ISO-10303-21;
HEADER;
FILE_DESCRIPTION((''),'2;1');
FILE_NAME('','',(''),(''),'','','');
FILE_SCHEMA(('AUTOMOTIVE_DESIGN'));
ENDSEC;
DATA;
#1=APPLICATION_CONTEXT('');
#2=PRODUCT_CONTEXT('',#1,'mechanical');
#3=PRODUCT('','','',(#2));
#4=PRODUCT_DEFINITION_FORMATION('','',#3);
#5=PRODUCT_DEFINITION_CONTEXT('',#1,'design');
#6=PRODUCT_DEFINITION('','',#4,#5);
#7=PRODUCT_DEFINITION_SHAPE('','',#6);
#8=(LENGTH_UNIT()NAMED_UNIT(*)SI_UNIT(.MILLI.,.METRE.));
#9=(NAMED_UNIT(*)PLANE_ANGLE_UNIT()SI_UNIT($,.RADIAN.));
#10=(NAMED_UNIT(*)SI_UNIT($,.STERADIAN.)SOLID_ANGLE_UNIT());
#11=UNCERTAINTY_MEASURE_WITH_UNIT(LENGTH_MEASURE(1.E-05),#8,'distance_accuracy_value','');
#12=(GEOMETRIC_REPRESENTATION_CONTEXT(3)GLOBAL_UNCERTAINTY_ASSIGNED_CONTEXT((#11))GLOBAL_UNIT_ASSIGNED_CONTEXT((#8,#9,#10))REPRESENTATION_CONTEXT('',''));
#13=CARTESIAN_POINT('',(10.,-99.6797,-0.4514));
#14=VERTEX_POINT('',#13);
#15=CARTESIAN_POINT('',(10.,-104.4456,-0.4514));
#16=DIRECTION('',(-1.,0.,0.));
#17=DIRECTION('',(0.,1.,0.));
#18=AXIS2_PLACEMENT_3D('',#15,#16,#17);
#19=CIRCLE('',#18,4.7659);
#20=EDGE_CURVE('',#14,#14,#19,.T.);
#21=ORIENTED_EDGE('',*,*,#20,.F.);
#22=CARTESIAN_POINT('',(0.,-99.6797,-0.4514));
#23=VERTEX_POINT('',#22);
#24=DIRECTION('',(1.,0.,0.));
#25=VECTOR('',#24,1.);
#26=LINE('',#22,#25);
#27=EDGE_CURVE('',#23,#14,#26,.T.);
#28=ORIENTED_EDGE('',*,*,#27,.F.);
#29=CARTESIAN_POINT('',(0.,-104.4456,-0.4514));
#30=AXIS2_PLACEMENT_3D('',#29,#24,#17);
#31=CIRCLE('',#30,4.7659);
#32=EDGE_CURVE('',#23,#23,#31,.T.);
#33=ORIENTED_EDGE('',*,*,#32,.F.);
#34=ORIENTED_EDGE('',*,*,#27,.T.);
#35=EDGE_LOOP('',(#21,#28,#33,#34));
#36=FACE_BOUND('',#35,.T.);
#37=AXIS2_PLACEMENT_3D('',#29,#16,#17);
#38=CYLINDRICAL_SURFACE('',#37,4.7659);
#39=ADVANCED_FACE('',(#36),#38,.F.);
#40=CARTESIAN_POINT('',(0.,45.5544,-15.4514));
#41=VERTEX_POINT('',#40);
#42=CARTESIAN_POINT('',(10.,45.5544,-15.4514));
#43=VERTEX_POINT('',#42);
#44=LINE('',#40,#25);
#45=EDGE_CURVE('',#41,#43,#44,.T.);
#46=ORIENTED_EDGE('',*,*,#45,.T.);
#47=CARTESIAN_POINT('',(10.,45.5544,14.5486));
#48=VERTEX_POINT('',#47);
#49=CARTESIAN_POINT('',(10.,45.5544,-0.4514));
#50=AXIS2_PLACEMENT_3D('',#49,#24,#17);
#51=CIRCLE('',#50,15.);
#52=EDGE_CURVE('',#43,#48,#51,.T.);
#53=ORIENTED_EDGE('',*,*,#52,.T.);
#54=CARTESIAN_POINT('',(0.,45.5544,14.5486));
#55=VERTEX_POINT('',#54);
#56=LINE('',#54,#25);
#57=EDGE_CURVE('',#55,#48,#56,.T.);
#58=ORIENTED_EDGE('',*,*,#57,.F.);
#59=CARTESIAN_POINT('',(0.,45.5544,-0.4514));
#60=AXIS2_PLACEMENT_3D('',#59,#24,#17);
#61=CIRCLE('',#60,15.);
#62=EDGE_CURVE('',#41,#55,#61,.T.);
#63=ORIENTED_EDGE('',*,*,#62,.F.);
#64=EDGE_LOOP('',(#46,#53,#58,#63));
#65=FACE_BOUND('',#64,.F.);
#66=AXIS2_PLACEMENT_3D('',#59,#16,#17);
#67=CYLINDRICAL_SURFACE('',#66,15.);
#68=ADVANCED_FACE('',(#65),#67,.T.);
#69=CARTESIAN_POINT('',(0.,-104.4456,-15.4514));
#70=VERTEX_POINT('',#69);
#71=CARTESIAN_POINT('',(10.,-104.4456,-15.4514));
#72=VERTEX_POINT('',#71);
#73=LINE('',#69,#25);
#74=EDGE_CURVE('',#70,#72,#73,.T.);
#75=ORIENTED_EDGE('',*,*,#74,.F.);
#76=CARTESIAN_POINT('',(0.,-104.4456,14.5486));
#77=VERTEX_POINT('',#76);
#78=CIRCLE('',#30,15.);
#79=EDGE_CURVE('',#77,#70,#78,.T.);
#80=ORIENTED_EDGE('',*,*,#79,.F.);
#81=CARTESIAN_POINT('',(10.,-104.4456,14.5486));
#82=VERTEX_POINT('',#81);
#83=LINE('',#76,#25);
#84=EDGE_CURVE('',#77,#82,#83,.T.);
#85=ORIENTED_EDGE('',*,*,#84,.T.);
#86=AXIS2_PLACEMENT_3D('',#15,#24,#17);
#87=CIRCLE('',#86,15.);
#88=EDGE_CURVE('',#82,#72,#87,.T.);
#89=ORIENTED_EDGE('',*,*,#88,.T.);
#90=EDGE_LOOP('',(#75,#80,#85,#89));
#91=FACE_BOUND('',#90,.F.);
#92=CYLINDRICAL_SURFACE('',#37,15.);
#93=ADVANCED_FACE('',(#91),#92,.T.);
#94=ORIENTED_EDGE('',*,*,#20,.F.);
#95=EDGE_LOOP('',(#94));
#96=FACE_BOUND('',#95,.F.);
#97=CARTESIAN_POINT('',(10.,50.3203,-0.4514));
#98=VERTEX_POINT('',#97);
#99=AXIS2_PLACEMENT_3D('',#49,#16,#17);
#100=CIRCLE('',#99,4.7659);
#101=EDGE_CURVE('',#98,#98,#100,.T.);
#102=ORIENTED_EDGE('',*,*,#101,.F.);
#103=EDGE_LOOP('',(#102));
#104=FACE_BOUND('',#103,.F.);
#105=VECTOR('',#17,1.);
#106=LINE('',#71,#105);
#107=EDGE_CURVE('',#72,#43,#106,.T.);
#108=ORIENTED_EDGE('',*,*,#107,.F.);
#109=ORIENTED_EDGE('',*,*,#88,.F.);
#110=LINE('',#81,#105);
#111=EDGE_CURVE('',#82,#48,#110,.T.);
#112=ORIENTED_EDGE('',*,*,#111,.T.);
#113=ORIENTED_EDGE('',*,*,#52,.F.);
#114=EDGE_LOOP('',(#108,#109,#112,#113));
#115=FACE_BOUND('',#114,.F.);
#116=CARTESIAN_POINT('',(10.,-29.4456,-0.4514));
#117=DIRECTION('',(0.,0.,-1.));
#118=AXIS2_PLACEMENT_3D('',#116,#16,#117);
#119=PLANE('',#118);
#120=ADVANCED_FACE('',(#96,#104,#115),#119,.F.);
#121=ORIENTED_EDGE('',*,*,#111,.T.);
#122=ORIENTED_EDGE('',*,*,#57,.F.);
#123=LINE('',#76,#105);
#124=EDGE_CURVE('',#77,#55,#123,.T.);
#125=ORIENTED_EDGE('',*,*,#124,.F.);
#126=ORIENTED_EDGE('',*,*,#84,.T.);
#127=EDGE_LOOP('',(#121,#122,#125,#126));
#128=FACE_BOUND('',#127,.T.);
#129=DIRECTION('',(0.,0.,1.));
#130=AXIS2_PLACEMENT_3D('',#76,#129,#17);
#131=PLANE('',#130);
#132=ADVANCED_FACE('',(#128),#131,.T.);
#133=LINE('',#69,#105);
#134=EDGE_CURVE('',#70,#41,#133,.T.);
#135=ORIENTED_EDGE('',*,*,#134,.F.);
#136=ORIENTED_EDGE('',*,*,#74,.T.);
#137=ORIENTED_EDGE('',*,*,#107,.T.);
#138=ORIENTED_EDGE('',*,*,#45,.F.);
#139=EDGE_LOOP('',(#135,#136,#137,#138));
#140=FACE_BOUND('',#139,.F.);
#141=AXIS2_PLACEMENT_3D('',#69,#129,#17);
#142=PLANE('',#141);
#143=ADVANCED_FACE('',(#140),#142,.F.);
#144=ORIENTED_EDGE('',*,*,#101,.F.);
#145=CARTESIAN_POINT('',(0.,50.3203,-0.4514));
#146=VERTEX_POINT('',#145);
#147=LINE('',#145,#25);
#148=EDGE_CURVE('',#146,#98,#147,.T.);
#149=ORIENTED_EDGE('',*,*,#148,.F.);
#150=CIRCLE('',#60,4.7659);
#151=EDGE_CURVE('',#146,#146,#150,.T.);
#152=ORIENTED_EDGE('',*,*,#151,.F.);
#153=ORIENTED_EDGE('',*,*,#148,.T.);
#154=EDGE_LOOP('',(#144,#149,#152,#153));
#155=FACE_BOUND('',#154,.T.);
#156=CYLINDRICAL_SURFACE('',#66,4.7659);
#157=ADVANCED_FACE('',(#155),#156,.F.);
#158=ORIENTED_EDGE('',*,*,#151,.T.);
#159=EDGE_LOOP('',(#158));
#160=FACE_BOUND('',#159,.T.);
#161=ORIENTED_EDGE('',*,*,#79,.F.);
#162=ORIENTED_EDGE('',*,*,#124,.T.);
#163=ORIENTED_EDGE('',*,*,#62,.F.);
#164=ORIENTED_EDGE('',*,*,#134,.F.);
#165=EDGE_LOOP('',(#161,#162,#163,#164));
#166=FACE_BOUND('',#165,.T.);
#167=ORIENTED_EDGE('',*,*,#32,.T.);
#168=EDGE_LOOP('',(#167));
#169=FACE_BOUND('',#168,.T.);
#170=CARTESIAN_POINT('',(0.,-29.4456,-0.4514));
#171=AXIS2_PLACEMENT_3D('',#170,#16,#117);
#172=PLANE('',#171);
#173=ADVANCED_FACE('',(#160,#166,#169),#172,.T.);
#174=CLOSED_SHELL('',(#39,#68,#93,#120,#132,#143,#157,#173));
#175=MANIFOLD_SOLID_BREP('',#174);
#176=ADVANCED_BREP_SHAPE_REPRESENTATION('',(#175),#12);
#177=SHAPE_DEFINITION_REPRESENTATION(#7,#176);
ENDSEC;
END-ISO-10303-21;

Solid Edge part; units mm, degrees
sketch "Sketch1" plane through (0, 0, 0) normal (1, 0, 0) x (0, 1, 0)
  line L0 (-104.4456, 14.5486) -> (45.5544, 14.5486)
  arc A0 (45.5544, -15.4514) -> (45.5544, 14.5486) centre (45.5544, -0.4514) ccw
  line L1 (-104.4456, -15.4514) -> (45.5544, -15.4514)
  arc A1 (-104.4456, 14.5486) -> (-104.4456, -15.4514) centre (-104.4456, -0.4514) ccw
extrude "Protrusion1" add sketch "Sketch1" along normal blind 10
sketch "Sketch2" plane through (0, 0, 0) normal (1, 0, 0) x (0, 1, 0)
  circle A0 centre (-104.4456, -0.4514) radius 4.7659
  circle A1 centre (45.5544, -0.4514) radius 4.7659
  dimension "D1" = 150
  dimension "D2" = 15
extrude "Cutout1" cut sketch "Sketch2" along normal blind 53.975
